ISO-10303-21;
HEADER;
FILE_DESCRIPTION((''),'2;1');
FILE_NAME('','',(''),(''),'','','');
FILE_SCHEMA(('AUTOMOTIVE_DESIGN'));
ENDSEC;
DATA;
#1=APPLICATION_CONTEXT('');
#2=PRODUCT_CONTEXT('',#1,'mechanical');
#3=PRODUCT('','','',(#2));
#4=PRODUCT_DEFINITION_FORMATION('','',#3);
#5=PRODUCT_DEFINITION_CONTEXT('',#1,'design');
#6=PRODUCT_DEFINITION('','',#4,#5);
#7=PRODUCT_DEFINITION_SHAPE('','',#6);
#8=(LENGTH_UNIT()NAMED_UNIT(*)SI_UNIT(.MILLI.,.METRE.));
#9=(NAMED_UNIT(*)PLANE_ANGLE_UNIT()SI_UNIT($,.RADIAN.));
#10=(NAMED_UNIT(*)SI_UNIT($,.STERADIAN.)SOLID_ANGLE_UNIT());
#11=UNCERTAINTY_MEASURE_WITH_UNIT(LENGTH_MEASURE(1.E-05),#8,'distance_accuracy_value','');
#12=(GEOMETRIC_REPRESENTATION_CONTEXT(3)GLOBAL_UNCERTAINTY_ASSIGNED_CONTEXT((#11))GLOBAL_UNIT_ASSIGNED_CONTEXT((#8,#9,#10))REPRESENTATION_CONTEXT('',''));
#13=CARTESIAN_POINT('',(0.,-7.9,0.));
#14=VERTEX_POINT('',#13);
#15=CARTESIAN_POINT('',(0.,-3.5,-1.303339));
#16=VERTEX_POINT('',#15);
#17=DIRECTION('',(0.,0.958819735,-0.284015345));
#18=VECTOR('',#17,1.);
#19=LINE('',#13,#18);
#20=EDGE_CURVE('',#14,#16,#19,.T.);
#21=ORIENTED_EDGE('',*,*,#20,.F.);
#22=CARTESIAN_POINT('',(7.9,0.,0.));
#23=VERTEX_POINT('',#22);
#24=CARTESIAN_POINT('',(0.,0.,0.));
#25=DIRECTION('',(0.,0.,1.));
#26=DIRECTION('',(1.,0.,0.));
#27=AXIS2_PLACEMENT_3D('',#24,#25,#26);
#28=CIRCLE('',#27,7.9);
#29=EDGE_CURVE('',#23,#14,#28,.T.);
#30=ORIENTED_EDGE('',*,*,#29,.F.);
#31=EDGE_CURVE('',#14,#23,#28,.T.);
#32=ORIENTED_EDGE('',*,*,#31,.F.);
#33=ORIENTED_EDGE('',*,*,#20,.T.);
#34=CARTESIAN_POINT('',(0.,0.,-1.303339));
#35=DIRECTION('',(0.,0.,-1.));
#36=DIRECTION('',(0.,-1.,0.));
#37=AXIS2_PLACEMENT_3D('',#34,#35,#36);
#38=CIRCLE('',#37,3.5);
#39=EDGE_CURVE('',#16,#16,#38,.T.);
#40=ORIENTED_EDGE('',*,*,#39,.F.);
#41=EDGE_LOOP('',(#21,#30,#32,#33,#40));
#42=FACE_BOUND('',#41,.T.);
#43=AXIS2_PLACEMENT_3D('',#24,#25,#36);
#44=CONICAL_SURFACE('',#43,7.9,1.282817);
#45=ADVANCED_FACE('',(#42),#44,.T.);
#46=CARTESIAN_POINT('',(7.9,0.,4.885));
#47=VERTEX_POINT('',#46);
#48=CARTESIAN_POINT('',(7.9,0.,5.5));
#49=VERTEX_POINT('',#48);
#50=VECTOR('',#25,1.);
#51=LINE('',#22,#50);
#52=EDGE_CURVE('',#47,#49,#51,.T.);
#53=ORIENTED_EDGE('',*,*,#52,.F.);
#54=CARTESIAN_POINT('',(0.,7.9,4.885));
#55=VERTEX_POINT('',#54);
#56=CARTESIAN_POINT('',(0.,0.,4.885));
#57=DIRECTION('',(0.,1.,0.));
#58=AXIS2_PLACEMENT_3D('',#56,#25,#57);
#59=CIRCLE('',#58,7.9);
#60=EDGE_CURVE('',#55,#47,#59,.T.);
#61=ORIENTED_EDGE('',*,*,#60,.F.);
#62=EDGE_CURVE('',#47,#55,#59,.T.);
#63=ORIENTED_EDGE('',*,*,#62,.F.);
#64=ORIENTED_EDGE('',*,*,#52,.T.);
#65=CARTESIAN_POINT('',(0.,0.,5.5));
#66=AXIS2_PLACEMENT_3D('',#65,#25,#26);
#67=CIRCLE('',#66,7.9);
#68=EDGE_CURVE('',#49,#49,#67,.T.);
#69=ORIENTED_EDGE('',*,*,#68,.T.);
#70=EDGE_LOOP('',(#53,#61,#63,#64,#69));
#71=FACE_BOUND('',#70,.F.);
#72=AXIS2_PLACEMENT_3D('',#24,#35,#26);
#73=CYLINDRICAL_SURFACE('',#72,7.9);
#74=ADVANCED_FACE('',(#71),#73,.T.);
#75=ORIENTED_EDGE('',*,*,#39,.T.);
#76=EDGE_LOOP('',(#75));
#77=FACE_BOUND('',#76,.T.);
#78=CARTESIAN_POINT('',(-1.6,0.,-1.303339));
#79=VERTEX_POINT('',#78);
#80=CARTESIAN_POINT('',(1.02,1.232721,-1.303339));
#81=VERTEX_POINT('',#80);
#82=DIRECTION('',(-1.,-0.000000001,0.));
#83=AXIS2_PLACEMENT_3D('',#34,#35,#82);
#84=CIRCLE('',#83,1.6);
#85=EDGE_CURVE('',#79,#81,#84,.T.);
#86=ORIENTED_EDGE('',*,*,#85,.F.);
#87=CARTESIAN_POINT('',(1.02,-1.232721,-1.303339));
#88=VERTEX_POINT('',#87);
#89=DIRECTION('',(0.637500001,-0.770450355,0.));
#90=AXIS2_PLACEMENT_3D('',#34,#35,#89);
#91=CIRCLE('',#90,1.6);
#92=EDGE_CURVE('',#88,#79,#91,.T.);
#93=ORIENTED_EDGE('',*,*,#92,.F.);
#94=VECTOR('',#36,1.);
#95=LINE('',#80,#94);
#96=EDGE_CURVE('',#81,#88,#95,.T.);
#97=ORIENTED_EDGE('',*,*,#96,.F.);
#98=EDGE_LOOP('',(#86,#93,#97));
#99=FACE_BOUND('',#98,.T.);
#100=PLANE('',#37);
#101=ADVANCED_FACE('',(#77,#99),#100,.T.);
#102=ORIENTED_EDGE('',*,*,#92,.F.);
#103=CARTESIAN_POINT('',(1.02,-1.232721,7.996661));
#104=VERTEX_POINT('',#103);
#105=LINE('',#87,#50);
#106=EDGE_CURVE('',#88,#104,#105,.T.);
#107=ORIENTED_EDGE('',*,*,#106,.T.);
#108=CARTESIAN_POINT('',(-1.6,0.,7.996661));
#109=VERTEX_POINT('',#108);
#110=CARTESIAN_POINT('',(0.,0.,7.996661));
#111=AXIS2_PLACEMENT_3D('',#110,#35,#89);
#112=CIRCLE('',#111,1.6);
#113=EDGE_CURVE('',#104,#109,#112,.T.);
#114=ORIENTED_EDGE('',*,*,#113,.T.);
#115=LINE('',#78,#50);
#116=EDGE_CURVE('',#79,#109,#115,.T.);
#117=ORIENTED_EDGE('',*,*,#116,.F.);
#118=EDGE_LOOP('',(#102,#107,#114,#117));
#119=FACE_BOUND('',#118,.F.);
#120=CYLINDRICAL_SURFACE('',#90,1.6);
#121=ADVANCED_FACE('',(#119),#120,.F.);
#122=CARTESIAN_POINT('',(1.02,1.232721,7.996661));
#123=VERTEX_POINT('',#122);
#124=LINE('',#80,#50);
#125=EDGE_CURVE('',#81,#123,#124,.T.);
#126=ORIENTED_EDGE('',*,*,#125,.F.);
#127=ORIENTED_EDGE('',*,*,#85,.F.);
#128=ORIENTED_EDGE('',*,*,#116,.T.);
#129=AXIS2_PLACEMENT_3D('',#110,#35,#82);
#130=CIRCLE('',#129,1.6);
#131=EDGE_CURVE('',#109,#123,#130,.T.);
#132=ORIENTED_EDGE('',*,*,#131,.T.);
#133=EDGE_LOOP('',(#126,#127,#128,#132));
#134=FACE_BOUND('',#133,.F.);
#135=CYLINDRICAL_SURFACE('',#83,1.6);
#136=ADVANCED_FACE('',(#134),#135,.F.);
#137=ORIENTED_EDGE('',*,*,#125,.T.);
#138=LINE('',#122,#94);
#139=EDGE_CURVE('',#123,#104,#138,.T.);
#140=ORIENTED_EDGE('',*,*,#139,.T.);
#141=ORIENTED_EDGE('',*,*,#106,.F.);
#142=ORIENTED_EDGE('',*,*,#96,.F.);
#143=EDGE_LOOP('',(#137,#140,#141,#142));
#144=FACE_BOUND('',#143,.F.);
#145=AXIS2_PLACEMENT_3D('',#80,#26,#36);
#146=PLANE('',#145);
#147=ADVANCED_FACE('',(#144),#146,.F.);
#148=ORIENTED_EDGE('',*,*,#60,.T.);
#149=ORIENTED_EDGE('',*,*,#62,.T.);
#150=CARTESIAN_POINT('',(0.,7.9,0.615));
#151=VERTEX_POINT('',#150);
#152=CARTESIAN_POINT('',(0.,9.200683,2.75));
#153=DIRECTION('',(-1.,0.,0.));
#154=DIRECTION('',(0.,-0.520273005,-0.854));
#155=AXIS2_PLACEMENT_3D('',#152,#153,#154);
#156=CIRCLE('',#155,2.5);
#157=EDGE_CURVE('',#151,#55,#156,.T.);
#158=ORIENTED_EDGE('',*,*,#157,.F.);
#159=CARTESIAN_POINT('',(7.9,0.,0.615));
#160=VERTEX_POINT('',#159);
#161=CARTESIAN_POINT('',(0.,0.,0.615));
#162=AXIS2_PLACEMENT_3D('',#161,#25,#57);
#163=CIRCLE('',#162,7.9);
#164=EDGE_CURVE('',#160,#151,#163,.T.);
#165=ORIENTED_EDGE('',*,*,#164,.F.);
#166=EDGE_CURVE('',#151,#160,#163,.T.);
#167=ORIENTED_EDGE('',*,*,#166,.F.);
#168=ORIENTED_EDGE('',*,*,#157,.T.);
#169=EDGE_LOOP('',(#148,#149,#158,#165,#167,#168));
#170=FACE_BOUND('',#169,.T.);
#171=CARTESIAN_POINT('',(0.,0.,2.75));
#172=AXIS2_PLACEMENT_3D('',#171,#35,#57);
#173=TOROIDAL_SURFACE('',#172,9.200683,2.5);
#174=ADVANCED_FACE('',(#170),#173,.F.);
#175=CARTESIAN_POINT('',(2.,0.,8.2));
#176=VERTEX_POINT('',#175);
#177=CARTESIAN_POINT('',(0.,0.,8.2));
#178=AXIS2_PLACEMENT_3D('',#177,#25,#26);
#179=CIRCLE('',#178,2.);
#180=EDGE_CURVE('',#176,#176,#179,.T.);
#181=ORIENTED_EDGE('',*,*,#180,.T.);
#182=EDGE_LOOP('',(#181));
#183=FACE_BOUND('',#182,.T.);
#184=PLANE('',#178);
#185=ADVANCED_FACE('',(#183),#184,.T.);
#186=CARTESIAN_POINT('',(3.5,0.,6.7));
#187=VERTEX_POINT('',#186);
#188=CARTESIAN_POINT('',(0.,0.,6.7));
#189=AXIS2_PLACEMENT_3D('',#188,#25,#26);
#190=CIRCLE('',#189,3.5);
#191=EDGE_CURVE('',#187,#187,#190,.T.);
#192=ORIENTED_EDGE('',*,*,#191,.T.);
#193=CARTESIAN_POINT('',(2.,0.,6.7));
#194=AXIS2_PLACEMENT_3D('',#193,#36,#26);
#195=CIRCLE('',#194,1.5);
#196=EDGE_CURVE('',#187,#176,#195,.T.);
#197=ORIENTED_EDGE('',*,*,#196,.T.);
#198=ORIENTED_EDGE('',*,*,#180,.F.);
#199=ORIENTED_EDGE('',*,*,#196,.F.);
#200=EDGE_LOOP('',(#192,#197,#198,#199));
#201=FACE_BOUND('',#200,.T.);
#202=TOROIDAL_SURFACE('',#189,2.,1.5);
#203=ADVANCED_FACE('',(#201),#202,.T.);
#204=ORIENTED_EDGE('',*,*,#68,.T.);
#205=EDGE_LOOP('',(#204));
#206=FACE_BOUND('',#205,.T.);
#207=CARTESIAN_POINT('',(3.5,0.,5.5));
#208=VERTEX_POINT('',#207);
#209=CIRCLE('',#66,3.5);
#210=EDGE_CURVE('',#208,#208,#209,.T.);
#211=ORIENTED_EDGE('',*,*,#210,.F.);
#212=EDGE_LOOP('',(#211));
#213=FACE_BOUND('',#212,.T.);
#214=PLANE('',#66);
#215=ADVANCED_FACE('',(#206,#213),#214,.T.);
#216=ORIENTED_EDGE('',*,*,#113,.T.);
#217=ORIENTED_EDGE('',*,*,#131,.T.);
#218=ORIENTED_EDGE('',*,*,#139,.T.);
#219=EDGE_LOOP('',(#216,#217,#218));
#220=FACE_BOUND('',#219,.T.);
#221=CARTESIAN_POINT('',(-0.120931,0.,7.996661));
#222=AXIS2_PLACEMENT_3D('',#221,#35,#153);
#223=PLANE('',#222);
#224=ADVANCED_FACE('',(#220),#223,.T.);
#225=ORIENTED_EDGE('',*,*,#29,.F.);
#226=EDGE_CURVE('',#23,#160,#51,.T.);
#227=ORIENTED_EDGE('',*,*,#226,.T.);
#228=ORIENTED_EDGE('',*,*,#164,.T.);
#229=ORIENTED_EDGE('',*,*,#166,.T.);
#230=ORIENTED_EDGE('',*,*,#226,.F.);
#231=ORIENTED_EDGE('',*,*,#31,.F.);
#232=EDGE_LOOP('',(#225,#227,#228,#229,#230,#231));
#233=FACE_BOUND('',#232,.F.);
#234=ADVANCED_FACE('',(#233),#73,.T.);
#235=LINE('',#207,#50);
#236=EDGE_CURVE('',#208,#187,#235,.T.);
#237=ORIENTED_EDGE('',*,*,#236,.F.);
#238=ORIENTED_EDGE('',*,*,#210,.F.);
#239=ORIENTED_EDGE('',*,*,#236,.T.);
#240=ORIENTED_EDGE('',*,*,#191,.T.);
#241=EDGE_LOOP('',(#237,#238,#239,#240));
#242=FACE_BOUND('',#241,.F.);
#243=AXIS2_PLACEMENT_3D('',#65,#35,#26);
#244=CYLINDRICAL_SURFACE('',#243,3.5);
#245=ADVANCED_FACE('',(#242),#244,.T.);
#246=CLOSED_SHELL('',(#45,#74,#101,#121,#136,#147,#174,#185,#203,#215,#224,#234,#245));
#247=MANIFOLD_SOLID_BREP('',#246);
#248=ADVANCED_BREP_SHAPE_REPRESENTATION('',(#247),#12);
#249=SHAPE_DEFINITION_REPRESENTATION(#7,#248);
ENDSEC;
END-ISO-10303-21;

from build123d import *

# Parameters (mm, degrees)
SKETCH_1_R          = 7.9
EXTRUDE_1_DEPTH     = 5.5
SKETCH_2_R          = 3.5
EXTRUDE_2_DEPTH     = 2.7
CUT_EXTRUDE_1_DEPTH = 9.3
FILLET_1_R          = 1.5


with BuildPart() as part:
    # 스케치1 → 보스-돌출1 (new body)
    with BuildSketch(Plane.XY):
        Circle(SKETCH_1_R)
    extrude(amount=EXTRUDE_1_DEPTH)

    # 스케치2 → 보스-돌출2 (add)
    with BuildSketch(Plane.XY.offset(5.5)):
        Circle(SKETCH_2_R)
    extrude(amount=EXTRUDE_2_DEPTH)

    # 스케치6 → 회전1 (revolve)
    with BuildSketch(Plane(origin=(0, 0, 0), x_dir=(0, 0, -1), z_dir=(1, 0, 0))):
        Polygon((0, -7.9), (1.303339378, -3.5), (1.303339378, 0), (0, 0), align=None)
    revolve(axis=Axis((0, 0, 0), (0, 0, -1)))

    # 스케치7 → 컷-돌출1 (cut)
    with BuildSketch(Plane(origin=(0, 0, -1.303339378), x_dir=(-1, 0, 0), z_dir=(0, 0, -1))):
        with BuildLine():
            ThreePointArc((1.6, 0), (0.681175455, 1.447756886), (-1.02, 1.232720568))
            Line((-1.02, 1.232720568), (-1.02, -1.232720568))
            ThreePointArc((-1.02, -1.232720568), (0.681175455, -1.447756886), (1.6, 0))
        make_face()
    extrude(amount=-CUT_EXTRUDE_1_DEPTH, mode=Mode.SUBTRACT)

    # 필렛1
    fillet_1_edges = [part.edges().sort_by_distance(p)[0] for p in [
        (-3.5, 0, 8.2),
    ]]
    fillet(fillet_1_edges, radius=FILLET_1_R)

    # 스케치8 → 컷-회전1 (revolve, cut)
    with BuildSketch(Plane(origin=(0, 0, 0), x_dir=(0, 0, -1), z_dir=(1, 0, 0))):
        with BuildLine():
            Line((-4.885, 7.9), (-0.615, 7.9))
            ThreePointArc((-0.615, 7.9), (-2.75, 6.700682513), (-4.885, 7.9))
        make_face()
    revolve(axis=Axis((0, 0, 0), (0, 0, 1)), mode=Mode.SUBTRACT)


solid = part.part
